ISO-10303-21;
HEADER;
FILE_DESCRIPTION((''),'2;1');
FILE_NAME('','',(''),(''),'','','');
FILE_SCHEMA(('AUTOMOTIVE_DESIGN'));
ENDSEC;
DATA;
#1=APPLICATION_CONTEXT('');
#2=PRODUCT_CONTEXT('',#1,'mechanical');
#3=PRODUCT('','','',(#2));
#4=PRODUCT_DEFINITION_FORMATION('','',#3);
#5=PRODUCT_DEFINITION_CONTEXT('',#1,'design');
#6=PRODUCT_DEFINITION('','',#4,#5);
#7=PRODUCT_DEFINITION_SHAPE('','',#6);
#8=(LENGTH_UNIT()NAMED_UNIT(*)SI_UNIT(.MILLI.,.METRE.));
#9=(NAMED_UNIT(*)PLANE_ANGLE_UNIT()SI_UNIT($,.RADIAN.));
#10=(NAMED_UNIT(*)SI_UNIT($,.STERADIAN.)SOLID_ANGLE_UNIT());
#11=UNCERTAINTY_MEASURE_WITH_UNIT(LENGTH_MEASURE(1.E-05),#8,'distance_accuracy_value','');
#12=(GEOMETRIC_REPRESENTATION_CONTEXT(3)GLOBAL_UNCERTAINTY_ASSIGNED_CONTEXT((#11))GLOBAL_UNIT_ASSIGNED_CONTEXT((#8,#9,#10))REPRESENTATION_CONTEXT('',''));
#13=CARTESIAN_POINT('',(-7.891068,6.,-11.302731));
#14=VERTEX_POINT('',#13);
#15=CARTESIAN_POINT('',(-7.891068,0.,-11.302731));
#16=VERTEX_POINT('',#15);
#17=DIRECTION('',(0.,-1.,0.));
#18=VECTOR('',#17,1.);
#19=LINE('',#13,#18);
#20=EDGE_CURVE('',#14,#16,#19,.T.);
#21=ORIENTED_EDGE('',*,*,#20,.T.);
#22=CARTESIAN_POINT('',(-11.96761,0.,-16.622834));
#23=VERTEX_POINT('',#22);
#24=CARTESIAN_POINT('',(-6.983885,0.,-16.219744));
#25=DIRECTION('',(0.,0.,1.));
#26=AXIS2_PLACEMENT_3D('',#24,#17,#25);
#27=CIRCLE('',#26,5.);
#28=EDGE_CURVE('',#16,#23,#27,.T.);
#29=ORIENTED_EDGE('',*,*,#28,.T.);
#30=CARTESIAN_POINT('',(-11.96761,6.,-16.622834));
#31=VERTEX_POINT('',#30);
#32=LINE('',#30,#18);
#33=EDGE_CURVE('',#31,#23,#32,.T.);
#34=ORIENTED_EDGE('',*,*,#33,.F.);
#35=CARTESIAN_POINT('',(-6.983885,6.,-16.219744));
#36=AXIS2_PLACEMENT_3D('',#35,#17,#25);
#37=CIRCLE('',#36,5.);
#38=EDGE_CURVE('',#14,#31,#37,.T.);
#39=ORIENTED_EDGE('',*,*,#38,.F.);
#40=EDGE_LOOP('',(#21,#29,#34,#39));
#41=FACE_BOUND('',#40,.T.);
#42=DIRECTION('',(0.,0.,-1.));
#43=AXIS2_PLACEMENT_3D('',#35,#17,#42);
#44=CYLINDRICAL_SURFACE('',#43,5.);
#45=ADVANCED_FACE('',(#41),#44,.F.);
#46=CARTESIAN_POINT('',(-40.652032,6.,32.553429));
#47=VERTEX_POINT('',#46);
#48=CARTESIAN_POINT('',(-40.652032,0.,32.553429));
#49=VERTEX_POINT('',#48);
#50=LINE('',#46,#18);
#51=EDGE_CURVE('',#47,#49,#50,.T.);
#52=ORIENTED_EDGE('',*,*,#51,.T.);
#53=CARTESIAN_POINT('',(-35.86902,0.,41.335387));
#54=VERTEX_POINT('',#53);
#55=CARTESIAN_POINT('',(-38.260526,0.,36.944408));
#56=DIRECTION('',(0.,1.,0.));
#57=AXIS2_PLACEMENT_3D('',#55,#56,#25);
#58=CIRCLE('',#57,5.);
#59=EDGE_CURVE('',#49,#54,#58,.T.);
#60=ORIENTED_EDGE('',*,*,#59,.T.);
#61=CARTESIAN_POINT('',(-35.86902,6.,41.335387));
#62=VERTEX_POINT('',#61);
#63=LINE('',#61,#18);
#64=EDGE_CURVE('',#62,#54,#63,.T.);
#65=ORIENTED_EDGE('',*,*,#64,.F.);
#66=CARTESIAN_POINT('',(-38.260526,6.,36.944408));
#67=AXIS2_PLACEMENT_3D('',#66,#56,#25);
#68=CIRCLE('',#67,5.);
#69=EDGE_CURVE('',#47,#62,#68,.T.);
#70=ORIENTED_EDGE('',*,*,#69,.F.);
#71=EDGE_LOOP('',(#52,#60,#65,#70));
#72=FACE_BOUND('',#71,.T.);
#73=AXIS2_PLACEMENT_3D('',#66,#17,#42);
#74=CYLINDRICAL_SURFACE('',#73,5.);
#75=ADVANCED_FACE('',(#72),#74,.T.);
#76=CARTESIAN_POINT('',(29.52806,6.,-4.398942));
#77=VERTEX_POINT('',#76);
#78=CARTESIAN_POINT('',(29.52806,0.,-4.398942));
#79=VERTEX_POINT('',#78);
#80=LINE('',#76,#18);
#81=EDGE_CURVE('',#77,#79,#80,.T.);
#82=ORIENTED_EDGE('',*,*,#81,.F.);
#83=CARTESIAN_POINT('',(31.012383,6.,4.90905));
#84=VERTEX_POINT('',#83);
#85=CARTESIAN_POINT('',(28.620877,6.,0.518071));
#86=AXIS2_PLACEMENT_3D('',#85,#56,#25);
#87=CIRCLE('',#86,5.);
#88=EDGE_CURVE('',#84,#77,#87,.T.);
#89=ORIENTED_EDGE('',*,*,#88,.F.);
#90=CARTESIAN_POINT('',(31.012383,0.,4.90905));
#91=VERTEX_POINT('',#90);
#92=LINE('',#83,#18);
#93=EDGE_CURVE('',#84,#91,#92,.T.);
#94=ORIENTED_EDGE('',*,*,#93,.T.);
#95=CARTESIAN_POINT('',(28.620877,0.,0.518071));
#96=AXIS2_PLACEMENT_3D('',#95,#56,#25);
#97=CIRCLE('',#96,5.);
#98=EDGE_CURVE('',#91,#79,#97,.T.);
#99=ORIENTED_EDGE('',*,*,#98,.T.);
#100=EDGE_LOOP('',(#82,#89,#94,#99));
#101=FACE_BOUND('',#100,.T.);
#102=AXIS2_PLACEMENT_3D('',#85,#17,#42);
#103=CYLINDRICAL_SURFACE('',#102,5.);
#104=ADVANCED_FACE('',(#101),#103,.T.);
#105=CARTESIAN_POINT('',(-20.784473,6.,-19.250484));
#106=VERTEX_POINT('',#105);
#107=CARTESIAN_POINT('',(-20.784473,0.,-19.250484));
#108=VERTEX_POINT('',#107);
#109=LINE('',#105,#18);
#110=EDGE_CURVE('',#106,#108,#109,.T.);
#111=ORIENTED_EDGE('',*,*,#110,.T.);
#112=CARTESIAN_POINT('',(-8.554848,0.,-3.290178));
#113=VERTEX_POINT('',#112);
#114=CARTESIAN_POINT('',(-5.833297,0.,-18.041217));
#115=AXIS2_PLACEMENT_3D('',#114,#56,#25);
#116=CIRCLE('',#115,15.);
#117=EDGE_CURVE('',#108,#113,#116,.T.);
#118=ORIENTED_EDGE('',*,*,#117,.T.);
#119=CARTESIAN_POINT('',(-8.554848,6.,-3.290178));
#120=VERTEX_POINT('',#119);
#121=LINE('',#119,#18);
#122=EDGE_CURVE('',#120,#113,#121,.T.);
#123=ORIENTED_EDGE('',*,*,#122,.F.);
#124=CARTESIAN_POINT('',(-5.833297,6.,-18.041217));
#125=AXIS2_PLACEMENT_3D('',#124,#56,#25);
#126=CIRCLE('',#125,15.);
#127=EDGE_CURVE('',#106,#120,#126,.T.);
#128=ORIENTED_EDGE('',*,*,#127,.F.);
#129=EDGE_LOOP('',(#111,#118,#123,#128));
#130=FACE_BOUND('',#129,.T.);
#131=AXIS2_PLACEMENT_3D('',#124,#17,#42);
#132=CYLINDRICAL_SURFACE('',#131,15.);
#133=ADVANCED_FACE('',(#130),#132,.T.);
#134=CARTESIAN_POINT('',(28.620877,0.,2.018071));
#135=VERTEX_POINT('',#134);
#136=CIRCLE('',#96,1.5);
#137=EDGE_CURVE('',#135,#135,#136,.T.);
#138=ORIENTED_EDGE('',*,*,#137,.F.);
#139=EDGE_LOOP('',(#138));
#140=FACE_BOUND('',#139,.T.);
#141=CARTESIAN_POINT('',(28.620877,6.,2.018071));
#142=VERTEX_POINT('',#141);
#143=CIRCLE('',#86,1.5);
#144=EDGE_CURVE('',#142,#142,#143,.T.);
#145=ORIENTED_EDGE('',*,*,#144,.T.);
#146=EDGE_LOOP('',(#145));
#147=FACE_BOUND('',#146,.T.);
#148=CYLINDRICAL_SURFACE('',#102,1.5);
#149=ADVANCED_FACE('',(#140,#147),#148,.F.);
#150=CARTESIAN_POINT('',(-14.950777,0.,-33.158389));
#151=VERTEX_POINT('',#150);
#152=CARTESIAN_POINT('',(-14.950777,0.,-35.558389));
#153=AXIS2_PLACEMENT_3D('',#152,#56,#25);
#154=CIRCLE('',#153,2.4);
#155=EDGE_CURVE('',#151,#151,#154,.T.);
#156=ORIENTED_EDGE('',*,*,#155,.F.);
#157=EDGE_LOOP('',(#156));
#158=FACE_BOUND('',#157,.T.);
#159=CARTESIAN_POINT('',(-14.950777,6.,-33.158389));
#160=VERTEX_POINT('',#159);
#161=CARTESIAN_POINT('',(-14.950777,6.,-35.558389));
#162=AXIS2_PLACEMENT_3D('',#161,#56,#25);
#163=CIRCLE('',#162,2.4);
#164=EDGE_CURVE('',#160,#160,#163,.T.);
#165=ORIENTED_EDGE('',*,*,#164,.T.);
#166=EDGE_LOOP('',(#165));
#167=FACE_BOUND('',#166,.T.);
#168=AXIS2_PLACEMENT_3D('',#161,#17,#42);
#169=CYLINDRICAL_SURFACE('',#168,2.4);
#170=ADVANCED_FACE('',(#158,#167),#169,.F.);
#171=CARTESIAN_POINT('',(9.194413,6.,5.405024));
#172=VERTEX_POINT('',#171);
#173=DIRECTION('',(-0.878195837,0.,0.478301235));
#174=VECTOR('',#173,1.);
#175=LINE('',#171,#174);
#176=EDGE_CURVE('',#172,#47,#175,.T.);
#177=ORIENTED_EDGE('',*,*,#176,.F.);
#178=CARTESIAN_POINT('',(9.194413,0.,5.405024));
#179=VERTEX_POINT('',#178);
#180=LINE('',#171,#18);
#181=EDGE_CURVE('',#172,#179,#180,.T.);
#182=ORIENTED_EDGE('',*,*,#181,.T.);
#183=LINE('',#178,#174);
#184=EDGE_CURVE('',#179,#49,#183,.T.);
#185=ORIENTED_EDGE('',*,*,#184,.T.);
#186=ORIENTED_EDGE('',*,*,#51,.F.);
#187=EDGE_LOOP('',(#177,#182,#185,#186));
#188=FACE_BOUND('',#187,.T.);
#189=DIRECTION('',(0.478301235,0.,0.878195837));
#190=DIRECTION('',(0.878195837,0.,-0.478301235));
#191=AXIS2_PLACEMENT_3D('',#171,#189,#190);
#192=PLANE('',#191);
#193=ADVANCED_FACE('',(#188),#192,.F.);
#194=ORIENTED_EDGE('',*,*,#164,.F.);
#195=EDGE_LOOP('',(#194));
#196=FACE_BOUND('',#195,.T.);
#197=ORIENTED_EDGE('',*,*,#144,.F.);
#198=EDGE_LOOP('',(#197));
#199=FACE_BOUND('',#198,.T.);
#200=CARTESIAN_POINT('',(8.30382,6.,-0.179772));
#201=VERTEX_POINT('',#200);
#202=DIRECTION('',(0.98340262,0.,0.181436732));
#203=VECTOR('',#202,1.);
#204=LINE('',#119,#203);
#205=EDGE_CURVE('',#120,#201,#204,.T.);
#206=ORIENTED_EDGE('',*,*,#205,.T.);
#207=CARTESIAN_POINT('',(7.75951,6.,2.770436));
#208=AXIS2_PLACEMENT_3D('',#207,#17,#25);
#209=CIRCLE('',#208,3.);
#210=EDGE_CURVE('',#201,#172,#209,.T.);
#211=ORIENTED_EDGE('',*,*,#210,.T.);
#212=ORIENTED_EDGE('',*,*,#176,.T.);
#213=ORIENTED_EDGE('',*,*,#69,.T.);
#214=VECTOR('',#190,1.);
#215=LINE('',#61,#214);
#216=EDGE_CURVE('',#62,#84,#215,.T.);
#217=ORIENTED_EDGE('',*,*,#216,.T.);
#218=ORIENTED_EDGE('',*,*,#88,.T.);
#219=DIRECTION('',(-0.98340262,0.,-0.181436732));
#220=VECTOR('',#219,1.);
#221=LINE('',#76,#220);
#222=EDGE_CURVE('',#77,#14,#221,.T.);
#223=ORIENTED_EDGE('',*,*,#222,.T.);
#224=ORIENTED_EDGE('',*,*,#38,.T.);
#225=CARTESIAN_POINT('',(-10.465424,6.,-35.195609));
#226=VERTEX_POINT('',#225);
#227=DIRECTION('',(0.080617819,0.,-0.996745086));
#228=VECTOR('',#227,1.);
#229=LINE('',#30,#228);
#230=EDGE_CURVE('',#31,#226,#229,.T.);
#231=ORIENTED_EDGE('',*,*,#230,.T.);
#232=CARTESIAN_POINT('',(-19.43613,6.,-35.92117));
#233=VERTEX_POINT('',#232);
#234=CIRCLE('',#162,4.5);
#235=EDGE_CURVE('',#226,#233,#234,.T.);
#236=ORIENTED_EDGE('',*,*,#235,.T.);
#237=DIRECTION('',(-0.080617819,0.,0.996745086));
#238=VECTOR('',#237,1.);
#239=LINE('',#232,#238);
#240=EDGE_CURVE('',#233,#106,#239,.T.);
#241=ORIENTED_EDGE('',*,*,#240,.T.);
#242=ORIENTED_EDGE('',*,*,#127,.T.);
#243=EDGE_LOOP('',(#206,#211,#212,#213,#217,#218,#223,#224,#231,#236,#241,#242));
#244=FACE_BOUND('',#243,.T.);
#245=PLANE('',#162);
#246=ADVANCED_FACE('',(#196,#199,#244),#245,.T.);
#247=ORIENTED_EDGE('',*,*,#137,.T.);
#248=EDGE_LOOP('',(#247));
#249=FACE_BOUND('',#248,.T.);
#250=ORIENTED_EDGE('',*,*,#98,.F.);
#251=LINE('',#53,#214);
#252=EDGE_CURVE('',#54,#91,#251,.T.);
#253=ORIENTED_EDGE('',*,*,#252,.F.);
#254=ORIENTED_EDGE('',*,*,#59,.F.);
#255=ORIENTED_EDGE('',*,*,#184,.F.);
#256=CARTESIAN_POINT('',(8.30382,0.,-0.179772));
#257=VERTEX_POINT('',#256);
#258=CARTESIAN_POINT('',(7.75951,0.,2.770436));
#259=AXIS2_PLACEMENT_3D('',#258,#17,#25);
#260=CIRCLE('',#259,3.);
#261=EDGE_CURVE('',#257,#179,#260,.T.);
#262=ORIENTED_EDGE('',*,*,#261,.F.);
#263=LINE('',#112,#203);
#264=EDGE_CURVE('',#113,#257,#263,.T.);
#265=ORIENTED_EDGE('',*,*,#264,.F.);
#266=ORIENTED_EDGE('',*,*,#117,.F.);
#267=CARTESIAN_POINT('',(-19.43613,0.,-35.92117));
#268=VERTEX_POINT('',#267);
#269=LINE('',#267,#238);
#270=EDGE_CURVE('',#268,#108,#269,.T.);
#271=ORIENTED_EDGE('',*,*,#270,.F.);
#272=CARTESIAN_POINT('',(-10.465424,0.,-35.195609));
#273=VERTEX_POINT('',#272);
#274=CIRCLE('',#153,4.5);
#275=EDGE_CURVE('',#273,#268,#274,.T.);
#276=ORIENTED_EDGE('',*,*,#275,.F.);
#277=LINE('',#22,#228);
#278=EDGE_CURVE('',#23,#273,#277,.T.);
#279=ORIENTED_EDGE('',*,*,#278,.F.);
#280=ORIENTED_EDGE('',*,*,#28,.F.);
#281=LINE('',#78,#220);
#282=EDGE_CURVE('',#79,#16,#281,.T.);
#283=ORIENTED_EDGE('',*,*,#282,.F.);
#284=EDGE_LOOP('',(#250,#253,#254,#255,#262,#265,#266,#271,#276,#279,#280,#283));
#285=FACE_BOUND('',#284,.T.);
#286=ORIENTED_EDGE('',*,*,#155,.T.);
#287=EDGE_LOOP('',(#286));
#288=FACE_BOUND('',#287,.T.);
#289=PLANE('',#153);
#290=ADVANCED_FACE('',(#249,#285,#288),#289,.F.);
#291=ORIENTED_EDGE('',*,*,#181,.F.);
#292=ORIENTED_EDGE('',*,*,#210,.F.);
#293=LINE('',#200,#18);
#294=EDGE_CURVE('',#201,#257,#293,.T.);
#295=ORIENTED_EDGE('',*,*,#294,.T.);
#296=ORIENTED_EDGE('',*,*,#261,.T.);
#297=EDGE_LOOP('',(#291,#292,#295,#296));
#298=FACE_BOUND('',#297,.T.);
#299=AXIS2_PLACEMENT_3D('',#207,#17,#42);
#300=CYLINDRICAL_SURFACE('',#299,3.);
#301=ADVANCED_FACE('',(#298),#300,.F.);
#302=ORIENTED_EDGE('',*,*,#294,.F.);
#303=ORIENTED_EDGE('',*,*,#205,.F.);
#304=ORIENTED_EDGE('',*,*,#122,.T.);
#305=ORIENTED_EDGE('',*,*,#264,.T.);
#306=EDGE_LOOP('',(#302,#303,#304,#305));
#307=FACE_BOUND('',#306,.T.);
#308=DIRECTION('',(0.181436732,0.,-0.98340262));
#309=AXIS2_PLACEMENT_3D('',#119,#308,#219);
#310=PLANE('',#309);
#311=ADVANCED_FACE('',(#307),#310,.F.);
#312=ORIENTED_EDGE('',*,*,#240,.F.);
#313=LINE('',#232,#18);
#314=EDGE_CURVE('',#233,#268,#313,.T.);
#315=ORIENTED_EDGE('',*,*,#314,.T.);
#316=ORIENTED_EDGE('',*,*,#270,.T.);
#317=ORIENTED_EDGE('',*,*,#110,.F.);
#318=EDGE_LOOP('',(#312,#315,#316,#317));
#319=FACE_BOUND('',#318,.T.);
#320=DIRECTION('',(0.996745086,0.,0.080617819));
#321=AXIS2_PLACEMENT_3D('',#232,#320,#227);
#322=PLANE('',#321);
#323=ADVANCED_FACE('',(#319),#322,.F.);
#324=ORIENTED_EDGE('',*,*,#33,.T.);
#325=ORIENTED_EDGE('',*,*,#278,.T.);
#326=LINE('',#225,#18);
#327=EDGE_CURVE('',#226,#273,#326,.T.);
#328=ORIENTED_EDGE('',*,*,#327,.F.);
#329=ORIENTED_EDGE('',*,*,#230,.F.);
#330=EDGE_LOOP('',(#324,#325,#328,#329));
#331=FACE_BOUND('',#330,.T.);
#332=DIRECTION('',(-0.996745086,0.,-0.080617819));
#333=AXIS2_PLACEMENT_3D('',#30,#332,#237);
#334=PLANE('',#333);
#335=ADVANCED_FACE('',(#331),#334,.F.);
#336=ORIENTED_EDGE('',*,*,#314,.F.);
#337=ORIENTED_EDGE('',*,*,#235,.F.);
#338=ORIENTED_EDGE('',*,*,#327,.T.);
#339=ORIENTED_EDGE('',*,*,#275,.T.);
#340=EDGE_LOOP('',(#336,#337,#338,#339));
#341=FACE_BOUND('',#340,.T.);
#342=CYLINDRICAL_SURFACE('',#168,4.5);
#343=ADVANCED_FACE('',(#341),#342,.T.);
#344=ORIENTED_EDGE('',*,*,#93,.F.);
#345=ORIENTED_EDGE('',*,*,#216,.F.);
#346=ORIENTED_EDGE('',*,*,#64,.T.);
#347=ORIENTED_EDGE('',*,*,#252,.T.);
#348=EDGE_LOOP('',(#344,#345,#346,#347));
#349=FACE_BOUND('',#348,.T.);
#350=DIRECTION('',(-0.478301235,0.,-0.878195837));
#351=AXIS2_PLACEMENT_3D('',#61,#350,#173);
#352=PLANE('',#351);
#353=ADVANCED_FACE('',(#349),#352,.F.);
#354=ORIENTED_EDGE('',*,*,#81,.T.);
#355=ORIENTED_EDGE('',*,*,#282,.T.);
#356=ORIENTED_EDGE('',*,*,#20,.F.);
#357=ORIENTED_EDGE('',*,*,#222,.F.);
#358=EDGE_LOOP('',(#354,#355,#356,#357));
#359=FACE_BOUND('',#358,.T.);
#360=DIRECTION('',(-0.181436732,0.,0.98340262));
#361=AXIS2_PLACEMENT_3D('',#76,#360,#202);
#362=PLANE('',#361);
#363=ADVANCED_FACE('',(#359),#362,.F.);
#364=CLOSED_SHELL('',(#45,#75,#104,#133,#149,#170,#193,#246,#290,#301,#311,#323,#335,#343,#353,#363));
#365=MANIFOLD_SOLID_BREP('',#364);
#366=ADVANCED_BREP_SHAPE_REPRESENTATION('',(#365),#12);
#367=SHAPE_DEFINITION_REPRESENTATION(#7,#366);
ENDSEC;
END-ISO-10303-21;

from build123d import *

# Parameters (mm, degrees)
SKETCH1_R           = 1.5
SKETCH1_R_2         = 2.4
BOSS_EXTRUDE1_DEPTH = 6


with BuildPart() as part:
    # Sketch1 → Boss-Extrude1 (new body)
    with BuildSketch(Plane(origin=(0, 0, 0), x_dir=(1, 0, 0), z_dir=(0, 1, 0))):
        with BuildLine():
            Line((-19.436129881, 35.921169676), (-20.784472899, 19.250484474))
            ThreePointArc((-20.784472899, 19.250484474), (-17.739772521, 8.917849876), (-8.554847577, 3.290177898))
            Line((-8.554847577, 3.290177898), (8.303819749, 0.179771806))
            ThreePointArc((8.303819749, 0.179771806), (10.722077148, -2.298002723), (9.194413259, -5.405023565))
            Line((9.194413259, -5.405023565), (-40.652031907, -32.553428604))
            ThreePointArc((-40.652031907, -32.553428604), (-42.651504917, -39.335913966), (-35.869019555, -41.335386976))
            Line((-35.869019555, -41.335386976), (31.012382829, -4.909050143))
            ThreePointArc((31.012382829, -4.909050143), (33.55848931, 0.269317926), (29.528060312, 4.398942141))
            Line((29.528060312, 4.398942141), (-7.891068482, 11.302731386))
            ThreePointArc((-7.891068482, 11.302731386), (-10.95271013, 13.178622045), (-11.967610256, 16.622833578))
            Line((-11.967610256, 16.622833578), (-10.465424103, 35.195609308))
            ThreePointArc((-10.465424103, 35.195609308), (-14.587996808, 40.043742381), (-19.436129881, 35.921169676))
        make_face()
        with Locations((28.620876654, -0.518070957)):
            Circle(SKETCH1_R, mode=Mode.SUBTRACT)
        with Locations((-14.950776992, 35.558389492)):
            Circle(SKETCH1_R_2, mode=Mode.SUBTRACT)
    extrude(amount=BOSS_EXTRUDE1_DEPTH)


solid = part.part
